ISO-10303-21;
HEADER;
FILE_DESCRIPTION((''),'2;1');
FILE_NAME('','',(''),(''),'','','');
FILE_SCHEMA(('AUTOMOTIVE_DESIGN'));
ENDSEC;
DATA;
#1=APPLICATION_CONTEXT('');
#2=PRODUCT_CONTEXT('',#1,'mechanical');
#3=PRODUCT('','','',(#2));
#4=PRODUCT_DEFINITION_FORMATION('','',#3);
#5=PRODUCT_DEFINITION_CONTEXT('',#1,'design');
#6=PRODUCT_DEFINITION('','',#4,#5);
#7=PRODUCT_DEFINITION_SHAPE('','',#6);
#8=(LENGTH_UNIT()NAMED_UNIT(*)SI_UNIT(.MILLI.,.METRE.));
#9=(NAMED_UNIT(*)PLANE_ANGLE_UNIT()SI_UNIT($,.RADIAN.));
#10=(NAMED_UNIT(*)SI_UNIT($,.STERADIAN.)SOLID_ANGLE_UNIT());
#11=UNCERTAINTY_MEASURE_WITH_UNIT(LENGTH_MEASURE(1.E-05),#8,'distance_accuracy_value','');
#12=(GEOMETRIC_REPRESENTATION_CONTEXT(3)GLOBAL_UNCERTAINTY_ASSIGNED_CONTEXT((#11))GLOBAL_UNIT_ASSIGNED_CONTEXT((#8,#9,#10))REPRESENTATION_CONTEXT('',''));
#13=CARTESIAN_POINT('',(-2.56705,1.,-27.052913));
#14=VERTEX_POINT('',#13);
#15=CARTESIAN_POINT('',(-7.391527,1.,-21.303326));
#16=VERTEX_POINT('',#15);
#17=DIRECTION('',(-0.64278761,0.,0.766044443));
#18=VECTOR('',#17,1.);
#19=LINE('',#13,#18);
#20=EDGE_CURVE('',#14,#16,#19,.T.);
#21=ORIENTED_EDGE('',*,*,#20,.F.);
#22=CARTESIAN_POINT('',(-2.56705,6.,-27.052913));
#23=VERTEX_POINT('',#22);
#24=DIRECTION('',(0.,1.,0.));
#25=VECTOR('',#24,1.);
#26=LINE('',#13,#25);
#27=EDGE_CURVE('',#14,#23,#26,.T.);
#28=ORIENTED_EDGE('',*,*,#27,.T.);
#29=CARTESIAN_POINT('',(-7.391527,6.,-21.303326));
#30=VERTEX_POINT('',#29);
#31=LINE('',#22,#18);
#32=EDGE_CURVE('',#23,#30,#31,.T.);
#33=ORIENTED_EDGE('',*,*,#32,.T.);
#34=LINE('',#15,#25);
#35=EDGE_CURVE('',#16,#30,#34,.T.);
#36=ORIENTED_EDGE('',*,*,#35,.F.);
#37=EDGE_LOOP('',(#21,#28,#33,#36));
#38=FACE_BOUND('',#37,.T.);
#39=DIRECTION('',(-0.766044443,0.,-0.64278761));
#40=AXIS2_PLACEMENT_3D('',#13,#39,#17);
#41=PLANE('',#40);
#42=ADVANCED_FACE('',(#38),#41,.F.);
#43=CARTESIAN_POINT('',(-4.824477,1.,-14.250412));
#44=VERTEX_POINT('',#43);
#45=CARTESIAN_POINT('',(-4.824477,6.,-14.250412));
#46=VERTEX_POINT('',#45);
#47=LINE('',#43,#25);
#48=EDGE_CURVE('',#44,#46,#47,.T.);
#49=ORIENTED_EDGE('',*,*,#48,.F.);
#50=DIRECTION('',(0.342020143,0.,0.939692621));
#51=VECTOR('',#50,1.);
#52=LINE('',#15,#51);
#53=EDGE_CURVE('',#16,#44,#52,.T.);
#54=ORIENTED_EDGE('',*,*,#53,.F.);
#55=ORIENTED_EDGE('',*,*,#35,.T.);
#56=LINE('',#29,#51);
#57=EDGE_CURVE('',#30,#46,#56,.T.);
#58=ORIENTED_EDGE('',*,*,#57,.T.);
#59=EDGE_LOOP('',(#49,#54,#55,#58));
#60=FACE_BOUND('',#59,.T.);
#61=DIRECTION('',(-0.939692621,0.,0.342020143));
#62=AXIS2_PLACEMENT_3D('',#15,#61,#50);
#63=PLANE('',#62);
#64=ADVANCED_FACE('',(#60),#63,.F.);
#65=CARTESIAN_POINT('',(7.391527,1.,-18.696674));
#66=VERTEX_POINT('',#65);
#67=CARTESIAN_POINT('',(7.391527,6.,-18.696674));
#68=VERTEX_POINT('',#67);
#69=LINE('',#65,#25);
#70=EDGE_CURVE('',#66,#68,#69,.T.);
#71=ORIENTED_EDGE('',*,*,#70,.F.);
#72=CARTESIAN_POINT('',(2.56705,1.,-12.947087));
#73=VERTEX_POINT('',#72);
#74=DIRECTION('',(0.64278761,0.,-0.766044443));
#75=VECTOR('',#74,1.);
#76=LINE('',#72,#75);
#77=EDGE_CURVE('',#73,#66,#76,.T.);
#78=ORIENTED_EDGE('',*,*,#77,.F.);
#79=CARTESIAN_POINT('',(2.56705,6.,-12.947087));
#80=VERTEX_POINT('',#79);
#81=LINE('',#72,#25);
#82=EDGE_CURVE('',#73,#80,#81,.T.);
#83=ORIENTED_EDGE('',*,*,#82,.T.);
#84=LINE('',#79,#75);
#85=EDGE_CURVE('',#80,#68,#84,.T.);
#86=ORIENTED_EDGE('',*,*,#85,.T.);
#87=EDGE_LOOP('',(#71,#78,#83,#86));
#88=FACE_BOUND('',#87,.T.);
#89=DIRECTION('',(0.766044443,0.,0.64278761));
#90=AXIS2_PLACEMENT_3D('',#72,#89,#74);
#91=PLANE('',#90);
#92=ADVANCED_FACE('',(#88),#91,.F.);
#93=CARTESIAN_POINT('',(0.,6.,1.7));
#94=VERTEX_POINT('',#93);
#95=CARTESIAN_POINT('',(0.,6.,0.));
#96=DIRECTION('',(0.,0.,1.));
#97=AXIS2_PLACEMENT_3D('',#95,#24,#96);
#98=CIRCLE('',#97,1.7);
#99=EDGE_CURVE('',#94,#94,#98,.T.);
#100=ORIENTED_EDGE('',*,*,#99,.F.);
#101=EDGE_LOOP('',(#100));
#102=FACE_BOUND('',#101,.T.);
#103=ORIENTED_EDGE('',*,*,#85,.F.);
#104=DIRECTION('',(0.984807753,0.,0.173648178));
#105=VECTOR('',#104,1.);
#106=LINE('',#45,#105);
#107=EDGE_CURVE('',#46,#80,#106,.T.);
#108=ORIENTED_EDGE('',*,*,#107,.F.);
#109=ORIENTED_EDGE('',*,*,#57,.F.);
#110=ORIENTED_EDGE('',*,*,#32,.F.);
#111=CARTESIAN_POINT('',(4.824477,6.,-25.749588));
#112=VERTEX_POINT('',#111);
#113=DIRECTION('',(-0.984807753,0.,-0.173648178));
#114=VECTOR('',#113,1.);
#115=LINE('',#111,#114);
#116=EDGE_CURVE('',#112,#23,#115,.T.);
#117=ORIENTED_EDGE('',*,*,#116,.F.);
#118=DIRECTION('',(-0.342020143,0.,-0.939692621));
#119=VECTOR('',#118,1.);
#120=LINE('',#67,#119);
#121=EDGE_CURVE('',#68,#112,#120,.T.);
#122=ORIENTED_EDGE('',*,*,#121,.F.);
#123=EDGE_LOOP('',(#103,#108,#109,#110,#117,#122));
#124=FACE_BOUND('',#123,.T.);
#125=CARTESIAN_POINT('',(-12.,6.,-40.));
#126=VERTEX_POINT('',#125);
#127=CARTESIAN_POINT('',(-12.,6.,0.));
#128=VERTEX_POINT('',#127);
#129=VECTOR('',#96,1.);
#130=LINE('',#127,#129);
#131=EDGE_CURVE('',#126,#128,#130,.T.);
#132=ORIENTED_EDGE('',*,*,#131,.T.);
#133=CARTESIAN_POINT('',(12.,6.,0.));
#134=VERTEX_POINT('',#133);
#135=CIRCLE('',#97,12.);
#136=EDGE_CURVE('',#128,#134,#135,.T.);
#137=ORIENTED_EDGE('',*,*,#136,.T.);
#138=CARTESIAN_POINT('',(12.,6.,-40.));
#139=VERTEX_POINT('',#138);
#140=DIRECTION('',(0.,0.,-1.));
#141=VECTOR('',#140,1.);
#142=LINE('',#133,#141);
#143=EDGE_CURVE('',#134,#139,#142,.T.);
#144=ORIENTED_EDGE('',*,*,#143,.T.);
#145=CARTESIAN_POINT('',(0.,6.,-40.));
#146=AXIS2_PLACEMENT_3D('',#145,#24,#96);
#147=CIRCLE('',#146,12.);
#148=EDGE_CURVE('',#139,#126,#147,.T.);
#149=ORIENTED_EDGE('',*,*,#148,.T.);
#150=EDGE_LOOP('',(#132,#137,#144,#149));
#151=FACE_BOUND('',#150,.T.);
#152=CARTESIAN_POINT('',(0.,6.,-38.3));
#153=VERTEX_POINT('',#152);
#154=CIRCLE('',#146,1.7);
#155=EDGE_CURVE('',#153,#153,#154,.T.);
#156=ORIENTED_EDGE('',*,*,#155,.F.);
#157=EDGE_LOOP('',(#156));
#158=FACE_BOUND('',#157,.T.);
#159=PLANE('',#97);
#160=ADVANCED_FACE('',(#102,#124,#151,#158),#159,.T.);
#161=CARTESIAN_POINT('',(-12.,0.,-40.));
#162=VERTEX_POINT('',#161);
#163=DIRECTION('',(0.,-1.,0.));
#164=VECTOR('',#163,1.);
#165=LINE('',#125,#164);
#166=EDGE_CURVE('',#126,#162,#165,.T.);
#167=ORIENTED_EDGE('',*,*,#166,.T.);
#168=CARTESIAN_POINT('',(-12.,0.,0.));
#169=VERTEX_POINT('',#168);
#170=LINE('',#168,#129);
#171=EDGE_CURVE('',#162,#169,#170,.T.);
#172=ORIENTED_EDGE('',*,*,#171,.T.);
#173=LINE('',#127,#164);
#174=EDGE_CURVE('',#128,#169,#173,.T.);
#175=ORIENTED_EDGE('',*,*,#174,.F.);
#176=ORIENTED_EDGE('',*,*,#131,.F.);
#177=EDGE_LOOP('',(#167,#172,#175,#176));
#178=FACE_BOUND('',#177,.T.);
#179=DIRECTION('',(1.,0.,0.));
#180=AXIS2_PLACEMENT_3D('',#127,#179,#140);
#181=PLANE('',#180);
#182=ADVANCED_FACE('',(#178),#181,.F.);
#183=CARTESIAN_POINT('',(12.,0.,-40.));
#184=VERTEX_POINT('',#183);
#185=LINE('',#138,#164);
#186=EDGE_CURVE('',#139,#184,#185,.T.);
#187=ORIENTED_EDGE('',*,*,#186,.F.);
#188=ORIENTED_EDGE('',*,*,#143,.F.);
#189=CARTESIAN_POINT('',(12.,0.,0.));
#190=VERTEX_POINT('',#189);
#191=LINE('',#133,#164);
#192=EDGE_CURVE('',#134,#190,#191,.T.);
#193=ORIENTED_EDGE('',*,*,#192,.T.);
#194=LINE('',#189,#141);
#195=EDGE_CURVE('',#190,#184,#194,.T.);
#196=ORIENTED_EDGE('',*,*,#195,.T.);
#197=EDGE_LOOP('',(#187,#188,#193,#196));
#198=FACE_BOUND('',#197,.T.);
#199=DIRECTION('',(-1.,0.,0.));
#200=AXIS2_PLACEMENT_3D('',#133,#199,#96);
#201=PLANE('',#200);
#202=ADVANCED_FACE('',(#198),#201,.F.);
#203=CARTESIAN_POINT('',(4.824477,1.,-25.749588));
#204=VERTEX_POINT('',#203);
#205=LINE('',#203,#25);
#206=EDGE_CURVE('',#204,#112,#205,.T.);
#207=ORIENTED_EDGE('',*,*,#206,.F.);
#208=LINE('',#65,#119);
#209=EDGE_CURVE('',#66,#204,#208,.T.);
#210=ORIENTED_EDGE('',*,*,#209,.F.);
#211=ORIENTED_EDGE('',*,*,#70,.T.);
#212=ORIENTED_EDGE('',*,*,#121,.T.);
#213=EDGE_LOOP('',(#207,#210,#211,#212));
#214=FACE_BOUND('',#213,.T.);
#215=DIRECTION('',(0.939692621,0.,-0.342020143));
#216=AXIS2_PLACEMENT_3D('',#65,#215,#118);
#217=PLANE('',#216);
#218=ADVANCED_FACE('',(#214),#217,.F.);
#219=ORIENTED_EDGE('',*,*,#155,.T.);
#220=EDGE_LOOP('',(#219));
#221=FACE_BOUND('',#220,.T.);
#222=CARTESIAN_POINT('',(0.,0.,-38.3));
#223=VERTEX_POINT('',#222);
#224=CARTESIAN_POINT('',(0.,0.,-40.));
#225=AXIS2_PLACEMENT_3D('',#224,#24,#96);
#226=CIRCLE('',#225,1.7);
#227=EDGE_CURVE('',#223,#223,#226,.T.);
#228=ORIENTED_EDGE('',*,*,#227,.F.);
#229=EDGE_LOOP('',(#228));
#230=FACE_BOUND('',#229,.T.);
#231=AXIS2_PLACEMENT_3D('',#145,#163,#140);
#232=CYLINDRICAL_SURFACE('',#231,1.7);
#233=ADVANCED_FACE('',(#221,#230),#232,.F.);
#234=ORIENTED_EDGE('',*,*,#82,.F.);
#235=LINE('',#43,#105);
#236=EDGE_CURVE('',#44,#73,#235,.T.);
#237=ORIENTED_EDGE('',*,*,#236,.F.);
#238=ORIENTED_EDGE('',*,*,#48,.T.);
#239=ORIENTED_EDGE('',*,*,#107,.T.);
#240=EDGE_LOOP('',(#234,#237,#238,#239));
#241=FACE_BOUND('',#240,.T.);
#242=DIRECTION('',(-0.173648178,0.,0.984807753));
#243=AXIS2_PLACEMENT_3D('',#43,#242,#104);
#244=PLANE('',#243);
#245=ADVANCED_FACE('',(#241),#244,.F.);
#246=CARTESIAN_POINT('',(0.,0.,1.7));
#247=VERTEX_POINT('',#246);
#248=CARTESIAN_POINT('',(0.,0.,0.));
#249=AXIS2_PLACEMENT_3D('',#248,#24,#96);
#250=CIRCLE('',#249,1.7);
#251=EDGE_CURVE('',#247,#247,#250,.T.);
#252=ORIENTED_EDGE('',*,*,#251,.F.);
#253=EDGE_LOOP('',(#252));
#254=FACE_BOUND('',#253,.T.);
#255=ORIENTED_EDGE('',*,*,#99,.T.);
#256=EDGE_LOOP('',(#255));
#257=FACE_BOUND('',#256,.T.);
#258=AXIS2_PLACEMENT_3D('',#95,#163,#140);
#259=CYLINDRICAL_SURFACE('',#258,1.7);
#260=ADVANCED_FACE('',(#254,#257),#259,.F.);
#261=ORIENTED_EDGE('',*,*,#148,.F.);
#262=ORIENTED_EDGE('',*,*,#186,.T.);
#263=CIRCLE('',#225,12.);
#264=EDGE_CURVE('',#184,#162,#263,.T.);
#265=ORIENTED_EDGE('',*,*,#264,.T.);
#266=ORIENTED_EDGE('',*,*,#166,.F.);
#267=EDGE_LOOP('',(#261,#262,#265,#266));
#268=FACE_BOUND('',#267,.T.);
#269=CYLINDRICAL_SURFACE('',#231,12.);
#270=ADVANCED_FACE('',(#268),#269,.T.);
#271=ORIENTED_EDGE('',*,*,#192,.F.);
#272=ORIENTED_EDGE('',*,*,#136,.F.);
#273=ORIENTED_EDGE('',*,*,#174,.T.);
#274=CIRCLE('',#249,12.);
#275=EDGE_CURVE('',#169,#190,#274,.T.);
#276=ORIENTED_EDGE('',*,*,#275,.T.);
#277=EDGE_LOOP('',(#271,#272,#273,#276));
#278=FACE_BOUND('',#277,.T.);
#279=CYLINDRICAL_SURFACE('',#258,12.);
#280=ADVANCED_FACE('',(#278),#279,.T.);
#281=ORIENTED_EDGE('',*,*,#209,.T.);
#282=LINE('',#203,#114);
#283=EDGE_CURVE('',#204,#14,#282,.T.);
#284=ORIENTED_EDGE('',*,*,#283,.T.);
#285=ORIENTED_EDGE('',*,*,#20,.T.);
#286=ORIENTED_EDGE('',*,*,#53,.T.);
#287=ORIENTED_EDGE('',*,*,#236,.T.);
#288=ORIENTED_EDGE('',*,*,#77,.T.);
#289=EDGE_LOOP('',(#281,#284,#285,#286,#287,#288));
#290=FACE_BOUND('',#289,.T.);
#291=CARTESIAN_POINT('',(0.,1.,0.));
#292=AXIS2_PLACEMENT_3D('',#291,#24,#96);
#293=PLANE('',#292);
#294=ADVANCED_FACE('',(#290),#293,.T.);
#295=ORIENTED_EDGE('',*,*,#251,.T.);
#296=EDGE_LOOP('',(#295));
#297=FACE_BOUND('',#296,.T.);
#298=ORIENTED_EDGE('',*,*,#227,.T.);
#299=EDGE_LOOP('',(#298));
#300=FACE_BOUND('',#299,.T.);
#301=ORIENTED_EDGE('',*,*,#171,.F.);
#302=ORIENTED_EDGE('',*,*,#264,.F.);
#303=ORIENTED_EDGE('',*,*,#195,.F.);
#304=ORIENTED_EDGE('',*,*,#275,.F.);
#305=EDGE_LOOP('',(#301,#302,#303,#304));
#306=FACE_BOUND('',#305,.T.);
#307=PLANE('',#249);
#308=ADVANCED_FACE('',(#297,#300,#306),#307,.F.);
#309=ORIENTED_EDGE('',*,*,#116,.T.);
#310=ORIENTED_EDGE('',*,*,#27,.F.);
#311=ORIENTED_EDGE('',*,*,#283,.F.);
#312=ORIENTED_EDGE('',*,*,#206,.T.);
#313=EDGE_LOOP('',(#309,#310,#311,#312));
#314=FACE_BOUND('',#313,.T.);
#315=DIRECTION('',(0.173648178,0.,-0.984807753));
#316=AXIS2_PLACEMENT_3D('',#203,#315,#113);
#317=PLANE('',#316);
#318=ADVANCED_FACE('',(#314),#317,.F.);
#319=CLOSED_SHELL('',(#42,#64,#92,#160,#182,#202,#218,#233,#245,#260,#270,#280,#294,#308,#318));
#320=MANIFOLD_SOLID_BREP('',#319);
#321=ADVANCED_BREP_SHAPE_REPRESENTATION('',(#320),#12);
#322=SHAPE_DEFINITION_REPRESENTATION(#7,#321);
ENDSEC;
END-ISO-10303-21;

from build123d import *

# Parameters (mm, degrees)
SKETCH1_R           = 1.7
BOSS_EXTRUDE1_DEPTH = 6
CUT_EXTRUDE1_DEPTH  = 5


with BuildPart() as part:
    # Sketch1 → Boss-Extrude1 (new body)
    with BuildSketch(Plane(origin=(0, 0, 0), x_dir=(1, 0, 0), z_dir=(0, 1, 0))):
        with BuildLine():
            Line((-12, 0), (-12, 40))
            ThreePointArc((-12, 40), (0, 52), (12, 40))
            Line((12, 40), (12, 0))
            ThreePointArc((12, 0), (0, -12), (-12, 0))
        make_face()
        with Locations((0, 40)):
            Circle(SKETCH1_R, mode=Mode.SUBTRACT)
        Circle(SKETCH1_R, mode=Mode.SUBTRACT)
    extrude(amount=BOSS_EXTRUDE1_DEPTH)

    # Sketch2 → Cut-Extrude1 (cut)
    with BuildSketch(Plane(origin=(0, 6, 0), x_dir=(1, 0, 0), z_dir=(0, 1, 0))):
        Polygon((2.567050484, 12.947086762), (7.391527277, 18.696674312), (4.824476793, 25.749587551), (-2.567050484, 27.052913238), (-7.391527277, 21.303325688), (-4.824476793, 14.250412449), align=None)
    extrude(amount=-CUT_EXTRUDE1_DEPTH, mode=Mode.SUBTRACT)


solid = part.part
